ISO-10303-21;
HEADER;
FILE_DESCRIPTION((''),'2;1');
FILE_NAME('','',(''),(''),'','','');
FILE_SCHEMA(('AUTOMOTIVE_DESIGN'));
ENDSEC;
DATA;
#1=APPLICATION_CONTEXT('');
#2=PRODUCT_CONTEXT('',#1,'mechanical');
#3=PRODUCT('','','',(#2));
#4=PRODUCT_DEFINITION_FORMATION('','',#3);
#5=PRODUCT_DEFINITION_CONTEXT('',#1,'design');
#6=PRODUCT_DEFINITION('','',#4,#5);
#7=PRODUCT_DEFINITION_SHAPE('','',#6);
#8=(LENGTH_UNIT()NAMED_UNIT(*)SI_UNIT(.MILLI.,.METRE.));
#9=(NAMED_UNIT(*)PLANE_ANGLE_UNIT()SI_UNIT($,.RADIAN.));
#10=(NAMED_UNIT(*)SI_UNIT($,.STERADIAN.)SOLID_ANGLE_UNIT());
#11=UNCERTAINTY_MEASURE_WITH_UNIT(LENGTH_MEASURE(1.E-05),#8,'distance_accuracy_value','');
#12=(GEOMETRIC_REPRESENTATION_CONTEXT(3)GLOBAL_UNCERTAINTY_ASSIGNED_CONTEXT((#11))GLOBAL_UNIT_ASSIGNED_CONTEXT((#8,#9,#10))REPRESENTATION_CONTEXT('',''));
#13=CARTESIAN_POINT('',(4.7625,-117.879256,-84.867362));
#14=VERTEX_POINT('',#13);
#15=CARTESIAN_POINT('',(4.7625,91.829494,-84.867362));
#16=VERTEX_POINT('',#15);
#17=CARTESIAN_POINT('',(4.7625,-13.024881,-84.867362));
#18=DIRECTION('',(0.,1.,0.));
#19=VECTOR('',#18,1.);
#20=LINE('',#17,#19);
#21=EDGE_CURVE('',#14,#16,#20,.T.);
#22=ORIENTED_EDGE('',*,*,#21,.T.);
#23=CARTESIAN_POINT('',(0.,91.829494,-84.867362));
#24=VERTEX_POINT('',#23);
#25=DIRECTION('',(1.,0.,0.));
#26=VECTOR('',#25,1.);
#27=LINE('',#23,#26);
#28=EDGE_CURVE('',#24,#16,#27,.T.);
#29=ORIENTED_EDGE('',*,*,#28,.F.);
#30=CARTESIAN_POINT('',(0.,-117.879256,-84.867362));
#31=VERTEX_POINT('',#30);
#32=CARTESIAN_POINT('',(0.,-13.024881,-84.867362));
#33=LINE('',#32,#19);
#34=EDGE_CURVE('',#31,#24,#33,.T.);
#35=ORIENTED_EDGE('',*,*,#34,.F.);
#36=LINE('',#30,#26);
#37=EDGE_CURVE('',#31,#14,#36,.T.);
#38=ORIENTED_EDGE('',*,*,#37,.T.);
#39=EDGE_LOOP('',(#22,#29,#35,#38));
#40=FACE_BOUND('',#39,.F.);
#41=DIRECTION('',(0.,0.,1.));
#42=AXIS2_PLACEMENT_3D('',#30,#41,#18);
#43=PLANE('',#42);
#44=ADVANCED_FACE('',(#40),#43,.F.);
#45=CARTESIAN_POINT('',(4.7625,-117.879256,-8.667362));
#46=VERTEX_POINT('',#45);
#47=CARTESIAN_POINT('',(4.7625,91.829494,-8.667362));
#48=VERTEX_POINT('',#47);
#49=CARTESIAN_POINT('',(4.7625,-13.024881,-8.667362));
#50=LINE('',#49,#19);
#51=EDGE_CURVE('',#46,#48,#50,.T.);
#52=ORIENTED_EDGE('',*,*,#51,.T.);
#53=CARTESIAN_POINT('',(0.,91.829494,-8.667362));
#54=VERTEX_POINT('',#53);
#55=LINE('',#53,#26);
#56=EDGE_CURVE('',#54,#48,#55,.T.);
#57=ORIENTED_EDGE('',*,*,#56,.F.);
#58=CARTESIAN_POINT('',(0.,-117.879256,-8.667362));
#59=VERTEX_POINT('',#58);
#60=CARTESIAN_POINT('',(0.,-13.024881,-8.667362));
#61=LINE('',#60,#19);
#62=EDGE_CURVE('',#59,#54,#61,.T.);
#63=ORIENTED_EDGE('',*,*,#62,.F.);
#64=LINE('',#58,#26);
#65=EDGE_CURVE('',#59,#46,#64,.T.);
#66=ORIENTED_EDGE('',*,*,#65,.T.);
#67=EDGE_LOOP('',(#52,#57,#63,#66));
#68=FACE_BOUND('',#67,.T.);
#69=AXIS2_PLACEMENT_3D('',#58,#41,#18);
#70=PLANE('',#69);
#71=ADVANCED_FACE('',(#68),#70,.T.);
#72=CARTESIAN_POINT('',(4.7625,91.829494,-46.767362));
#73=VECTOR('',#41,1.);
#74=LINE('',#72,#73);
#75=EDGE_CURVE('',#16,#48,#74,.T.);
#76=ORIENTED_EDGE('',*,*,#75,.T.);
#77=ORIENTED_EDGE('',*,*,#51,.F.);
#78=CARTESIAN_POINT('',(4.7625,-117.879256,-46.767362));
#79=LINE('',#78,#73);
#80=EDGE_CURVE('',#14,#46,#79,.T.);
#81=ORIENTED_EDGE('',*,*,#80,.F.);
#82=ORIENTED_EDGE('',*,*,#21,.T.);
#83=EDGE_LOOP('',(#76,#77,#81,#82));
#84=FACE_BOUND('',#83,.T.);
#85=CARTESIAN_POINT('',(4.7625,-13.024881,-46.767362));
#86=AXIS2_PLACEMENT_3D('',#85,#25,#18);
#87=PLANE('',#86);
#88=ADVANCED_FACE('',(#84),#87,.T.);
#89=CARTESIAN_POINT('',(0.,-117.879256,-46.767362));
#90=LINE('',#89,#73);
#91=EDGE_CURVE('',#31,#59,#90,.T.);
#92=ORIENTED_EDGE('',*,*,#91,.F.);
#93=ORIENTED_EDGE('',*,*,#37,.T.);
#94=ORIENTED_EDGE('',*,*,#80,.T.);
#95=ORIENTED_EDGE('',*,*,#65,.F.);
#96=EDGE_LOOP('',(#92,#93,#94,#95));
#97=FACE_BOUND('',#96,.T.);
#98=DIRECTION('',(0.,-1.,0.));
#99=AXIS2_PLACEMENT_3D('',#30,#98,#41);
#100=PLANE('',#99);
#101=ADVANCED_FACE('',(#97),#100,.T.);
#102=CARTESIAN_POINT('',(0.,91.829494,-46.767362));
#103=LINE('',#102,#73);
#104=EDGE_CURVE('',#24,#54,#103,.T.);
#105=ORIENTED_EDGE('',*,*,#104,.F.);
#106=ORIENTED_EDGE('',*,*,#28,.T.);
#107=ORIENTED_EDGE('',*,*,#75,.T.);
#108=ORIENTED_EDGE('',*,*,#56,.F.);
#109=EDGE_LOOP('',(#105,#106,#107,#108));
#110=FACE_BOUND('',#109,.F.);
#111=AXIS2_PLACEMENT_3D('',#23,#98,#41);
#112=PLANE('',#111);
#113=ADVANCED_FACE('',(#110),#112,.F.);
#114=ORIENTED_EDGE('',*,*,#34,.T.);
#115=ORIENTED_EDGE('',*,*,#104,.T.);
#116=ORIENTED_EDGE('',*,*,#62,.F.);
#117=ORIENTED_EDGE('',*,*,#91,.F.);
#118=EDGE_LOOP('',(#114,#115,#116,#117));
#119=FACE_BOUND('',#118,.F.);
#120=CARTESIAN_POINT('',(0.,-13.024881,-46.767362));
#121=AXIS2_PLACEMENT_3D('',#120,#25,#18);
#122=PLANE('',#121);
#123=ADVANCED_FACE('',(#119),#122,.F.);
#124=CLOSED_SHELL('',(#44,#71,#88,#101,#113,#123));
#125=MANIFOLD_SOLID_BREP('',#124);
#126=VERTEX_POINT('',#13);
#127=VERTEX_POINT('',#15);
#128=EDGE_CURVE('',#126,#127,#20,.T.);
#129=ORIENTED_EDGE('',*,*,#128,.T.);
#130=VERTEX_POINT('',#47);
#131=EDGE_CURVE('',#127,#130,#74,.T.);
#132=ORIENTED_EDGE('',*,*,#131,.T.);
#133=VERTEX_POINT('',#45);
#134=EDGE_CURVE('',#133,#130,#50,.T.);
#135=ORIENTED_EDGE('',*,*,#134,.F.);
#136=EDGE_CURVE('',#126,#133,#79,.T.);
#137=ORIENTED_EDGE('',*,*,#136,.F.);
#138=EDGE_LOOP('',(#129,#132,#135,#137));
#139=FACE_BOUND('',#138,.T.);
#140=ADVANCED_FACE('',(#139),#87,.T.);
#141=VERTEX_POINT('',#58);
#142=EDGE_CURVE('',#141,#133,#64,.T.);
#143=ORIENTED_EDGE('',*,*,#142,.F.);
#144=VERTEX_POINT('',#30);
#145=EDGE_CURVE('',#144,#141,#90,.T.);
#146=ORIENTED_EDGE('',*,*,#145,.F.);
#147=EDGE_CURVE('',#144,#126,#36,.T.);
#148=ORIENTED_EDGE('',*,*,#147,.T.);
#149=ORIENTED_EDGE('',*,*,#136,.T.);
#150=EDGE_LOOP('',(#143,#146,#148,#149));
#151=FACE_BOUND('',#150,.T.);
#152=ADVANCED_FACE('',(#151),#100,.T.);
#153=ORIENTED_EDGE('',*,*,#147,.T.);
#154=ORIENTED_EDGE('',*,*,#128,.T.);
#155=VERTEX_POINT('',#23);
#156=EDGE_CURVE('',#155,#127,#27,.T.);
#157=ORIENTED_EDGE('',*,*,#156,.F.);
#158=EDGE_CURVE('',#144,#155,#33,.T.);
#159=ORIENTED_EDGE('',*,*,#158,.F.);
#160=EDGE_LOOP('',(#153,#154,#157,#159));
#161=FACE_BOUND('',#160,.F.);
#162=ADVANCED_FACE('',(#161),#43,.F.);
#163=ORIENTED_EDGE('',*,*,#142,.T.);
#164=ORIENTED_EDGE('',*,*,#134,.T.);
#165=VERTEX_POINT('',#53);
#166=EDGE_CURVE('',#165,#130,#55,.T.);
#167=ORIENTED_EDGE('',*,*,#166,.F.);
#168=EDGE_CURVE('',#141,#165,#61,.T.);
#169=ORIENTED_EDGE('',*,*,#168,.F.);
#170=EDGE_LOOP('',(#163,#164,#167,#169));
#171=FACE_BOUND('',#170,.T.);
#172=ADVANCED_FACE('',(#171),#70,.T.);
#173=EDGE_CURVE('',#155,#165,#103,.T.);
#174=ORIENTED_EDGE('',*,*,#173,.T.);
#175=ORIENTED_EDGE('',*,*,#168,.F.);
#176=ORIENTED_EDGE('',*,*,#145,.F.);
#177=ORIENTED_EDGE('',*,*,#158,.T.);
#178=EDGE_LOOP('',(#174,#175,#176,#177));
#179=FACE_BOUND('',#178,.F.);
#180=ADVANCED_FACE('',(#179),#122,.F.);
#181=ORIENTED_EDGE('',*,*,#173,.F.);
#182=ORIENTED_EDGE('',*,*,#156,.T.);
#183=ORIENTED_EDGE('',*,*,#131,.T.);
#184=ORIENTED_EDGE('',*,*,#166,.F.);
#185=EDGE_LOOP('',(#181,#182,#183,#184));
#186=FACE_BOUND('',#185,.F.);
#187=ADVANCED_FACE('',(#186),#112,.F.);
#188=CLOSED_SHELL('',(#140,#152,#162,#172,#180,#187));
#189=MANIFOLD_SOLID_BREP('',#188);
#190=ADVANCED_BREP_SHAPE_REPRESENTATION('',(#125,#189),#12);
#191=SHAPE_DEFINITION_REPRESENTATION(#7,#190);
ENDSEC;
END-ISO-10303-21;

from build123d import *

# Parameters (mm, degrees)
F0_W     = 209.70875
F0_H     = 76.2
F1_DEPTH = 4.7625
F2_DEPTH = 4.7625


with BuildPart() as f1:
    # F0 (on Right) → F1 (new body)
    with BuildSketch(Plane.YZ):
        with Locations((-13.024881, -46.767362)):
            Rectangle(F0_W, F0_H)
    extrude(amount=F1_DEPTH)


with BuildPart() as f2:
    # F0 (on Right) → F2 (new body)
    with BuildSketch(Plane.YZ):
        with Locations((-13.024881, -46.767362)):
            Rectangle(F0_W, F0_H)
    extrude(amount=F2_DEPTH)


solid = Compound([f1.part, f2.part])
